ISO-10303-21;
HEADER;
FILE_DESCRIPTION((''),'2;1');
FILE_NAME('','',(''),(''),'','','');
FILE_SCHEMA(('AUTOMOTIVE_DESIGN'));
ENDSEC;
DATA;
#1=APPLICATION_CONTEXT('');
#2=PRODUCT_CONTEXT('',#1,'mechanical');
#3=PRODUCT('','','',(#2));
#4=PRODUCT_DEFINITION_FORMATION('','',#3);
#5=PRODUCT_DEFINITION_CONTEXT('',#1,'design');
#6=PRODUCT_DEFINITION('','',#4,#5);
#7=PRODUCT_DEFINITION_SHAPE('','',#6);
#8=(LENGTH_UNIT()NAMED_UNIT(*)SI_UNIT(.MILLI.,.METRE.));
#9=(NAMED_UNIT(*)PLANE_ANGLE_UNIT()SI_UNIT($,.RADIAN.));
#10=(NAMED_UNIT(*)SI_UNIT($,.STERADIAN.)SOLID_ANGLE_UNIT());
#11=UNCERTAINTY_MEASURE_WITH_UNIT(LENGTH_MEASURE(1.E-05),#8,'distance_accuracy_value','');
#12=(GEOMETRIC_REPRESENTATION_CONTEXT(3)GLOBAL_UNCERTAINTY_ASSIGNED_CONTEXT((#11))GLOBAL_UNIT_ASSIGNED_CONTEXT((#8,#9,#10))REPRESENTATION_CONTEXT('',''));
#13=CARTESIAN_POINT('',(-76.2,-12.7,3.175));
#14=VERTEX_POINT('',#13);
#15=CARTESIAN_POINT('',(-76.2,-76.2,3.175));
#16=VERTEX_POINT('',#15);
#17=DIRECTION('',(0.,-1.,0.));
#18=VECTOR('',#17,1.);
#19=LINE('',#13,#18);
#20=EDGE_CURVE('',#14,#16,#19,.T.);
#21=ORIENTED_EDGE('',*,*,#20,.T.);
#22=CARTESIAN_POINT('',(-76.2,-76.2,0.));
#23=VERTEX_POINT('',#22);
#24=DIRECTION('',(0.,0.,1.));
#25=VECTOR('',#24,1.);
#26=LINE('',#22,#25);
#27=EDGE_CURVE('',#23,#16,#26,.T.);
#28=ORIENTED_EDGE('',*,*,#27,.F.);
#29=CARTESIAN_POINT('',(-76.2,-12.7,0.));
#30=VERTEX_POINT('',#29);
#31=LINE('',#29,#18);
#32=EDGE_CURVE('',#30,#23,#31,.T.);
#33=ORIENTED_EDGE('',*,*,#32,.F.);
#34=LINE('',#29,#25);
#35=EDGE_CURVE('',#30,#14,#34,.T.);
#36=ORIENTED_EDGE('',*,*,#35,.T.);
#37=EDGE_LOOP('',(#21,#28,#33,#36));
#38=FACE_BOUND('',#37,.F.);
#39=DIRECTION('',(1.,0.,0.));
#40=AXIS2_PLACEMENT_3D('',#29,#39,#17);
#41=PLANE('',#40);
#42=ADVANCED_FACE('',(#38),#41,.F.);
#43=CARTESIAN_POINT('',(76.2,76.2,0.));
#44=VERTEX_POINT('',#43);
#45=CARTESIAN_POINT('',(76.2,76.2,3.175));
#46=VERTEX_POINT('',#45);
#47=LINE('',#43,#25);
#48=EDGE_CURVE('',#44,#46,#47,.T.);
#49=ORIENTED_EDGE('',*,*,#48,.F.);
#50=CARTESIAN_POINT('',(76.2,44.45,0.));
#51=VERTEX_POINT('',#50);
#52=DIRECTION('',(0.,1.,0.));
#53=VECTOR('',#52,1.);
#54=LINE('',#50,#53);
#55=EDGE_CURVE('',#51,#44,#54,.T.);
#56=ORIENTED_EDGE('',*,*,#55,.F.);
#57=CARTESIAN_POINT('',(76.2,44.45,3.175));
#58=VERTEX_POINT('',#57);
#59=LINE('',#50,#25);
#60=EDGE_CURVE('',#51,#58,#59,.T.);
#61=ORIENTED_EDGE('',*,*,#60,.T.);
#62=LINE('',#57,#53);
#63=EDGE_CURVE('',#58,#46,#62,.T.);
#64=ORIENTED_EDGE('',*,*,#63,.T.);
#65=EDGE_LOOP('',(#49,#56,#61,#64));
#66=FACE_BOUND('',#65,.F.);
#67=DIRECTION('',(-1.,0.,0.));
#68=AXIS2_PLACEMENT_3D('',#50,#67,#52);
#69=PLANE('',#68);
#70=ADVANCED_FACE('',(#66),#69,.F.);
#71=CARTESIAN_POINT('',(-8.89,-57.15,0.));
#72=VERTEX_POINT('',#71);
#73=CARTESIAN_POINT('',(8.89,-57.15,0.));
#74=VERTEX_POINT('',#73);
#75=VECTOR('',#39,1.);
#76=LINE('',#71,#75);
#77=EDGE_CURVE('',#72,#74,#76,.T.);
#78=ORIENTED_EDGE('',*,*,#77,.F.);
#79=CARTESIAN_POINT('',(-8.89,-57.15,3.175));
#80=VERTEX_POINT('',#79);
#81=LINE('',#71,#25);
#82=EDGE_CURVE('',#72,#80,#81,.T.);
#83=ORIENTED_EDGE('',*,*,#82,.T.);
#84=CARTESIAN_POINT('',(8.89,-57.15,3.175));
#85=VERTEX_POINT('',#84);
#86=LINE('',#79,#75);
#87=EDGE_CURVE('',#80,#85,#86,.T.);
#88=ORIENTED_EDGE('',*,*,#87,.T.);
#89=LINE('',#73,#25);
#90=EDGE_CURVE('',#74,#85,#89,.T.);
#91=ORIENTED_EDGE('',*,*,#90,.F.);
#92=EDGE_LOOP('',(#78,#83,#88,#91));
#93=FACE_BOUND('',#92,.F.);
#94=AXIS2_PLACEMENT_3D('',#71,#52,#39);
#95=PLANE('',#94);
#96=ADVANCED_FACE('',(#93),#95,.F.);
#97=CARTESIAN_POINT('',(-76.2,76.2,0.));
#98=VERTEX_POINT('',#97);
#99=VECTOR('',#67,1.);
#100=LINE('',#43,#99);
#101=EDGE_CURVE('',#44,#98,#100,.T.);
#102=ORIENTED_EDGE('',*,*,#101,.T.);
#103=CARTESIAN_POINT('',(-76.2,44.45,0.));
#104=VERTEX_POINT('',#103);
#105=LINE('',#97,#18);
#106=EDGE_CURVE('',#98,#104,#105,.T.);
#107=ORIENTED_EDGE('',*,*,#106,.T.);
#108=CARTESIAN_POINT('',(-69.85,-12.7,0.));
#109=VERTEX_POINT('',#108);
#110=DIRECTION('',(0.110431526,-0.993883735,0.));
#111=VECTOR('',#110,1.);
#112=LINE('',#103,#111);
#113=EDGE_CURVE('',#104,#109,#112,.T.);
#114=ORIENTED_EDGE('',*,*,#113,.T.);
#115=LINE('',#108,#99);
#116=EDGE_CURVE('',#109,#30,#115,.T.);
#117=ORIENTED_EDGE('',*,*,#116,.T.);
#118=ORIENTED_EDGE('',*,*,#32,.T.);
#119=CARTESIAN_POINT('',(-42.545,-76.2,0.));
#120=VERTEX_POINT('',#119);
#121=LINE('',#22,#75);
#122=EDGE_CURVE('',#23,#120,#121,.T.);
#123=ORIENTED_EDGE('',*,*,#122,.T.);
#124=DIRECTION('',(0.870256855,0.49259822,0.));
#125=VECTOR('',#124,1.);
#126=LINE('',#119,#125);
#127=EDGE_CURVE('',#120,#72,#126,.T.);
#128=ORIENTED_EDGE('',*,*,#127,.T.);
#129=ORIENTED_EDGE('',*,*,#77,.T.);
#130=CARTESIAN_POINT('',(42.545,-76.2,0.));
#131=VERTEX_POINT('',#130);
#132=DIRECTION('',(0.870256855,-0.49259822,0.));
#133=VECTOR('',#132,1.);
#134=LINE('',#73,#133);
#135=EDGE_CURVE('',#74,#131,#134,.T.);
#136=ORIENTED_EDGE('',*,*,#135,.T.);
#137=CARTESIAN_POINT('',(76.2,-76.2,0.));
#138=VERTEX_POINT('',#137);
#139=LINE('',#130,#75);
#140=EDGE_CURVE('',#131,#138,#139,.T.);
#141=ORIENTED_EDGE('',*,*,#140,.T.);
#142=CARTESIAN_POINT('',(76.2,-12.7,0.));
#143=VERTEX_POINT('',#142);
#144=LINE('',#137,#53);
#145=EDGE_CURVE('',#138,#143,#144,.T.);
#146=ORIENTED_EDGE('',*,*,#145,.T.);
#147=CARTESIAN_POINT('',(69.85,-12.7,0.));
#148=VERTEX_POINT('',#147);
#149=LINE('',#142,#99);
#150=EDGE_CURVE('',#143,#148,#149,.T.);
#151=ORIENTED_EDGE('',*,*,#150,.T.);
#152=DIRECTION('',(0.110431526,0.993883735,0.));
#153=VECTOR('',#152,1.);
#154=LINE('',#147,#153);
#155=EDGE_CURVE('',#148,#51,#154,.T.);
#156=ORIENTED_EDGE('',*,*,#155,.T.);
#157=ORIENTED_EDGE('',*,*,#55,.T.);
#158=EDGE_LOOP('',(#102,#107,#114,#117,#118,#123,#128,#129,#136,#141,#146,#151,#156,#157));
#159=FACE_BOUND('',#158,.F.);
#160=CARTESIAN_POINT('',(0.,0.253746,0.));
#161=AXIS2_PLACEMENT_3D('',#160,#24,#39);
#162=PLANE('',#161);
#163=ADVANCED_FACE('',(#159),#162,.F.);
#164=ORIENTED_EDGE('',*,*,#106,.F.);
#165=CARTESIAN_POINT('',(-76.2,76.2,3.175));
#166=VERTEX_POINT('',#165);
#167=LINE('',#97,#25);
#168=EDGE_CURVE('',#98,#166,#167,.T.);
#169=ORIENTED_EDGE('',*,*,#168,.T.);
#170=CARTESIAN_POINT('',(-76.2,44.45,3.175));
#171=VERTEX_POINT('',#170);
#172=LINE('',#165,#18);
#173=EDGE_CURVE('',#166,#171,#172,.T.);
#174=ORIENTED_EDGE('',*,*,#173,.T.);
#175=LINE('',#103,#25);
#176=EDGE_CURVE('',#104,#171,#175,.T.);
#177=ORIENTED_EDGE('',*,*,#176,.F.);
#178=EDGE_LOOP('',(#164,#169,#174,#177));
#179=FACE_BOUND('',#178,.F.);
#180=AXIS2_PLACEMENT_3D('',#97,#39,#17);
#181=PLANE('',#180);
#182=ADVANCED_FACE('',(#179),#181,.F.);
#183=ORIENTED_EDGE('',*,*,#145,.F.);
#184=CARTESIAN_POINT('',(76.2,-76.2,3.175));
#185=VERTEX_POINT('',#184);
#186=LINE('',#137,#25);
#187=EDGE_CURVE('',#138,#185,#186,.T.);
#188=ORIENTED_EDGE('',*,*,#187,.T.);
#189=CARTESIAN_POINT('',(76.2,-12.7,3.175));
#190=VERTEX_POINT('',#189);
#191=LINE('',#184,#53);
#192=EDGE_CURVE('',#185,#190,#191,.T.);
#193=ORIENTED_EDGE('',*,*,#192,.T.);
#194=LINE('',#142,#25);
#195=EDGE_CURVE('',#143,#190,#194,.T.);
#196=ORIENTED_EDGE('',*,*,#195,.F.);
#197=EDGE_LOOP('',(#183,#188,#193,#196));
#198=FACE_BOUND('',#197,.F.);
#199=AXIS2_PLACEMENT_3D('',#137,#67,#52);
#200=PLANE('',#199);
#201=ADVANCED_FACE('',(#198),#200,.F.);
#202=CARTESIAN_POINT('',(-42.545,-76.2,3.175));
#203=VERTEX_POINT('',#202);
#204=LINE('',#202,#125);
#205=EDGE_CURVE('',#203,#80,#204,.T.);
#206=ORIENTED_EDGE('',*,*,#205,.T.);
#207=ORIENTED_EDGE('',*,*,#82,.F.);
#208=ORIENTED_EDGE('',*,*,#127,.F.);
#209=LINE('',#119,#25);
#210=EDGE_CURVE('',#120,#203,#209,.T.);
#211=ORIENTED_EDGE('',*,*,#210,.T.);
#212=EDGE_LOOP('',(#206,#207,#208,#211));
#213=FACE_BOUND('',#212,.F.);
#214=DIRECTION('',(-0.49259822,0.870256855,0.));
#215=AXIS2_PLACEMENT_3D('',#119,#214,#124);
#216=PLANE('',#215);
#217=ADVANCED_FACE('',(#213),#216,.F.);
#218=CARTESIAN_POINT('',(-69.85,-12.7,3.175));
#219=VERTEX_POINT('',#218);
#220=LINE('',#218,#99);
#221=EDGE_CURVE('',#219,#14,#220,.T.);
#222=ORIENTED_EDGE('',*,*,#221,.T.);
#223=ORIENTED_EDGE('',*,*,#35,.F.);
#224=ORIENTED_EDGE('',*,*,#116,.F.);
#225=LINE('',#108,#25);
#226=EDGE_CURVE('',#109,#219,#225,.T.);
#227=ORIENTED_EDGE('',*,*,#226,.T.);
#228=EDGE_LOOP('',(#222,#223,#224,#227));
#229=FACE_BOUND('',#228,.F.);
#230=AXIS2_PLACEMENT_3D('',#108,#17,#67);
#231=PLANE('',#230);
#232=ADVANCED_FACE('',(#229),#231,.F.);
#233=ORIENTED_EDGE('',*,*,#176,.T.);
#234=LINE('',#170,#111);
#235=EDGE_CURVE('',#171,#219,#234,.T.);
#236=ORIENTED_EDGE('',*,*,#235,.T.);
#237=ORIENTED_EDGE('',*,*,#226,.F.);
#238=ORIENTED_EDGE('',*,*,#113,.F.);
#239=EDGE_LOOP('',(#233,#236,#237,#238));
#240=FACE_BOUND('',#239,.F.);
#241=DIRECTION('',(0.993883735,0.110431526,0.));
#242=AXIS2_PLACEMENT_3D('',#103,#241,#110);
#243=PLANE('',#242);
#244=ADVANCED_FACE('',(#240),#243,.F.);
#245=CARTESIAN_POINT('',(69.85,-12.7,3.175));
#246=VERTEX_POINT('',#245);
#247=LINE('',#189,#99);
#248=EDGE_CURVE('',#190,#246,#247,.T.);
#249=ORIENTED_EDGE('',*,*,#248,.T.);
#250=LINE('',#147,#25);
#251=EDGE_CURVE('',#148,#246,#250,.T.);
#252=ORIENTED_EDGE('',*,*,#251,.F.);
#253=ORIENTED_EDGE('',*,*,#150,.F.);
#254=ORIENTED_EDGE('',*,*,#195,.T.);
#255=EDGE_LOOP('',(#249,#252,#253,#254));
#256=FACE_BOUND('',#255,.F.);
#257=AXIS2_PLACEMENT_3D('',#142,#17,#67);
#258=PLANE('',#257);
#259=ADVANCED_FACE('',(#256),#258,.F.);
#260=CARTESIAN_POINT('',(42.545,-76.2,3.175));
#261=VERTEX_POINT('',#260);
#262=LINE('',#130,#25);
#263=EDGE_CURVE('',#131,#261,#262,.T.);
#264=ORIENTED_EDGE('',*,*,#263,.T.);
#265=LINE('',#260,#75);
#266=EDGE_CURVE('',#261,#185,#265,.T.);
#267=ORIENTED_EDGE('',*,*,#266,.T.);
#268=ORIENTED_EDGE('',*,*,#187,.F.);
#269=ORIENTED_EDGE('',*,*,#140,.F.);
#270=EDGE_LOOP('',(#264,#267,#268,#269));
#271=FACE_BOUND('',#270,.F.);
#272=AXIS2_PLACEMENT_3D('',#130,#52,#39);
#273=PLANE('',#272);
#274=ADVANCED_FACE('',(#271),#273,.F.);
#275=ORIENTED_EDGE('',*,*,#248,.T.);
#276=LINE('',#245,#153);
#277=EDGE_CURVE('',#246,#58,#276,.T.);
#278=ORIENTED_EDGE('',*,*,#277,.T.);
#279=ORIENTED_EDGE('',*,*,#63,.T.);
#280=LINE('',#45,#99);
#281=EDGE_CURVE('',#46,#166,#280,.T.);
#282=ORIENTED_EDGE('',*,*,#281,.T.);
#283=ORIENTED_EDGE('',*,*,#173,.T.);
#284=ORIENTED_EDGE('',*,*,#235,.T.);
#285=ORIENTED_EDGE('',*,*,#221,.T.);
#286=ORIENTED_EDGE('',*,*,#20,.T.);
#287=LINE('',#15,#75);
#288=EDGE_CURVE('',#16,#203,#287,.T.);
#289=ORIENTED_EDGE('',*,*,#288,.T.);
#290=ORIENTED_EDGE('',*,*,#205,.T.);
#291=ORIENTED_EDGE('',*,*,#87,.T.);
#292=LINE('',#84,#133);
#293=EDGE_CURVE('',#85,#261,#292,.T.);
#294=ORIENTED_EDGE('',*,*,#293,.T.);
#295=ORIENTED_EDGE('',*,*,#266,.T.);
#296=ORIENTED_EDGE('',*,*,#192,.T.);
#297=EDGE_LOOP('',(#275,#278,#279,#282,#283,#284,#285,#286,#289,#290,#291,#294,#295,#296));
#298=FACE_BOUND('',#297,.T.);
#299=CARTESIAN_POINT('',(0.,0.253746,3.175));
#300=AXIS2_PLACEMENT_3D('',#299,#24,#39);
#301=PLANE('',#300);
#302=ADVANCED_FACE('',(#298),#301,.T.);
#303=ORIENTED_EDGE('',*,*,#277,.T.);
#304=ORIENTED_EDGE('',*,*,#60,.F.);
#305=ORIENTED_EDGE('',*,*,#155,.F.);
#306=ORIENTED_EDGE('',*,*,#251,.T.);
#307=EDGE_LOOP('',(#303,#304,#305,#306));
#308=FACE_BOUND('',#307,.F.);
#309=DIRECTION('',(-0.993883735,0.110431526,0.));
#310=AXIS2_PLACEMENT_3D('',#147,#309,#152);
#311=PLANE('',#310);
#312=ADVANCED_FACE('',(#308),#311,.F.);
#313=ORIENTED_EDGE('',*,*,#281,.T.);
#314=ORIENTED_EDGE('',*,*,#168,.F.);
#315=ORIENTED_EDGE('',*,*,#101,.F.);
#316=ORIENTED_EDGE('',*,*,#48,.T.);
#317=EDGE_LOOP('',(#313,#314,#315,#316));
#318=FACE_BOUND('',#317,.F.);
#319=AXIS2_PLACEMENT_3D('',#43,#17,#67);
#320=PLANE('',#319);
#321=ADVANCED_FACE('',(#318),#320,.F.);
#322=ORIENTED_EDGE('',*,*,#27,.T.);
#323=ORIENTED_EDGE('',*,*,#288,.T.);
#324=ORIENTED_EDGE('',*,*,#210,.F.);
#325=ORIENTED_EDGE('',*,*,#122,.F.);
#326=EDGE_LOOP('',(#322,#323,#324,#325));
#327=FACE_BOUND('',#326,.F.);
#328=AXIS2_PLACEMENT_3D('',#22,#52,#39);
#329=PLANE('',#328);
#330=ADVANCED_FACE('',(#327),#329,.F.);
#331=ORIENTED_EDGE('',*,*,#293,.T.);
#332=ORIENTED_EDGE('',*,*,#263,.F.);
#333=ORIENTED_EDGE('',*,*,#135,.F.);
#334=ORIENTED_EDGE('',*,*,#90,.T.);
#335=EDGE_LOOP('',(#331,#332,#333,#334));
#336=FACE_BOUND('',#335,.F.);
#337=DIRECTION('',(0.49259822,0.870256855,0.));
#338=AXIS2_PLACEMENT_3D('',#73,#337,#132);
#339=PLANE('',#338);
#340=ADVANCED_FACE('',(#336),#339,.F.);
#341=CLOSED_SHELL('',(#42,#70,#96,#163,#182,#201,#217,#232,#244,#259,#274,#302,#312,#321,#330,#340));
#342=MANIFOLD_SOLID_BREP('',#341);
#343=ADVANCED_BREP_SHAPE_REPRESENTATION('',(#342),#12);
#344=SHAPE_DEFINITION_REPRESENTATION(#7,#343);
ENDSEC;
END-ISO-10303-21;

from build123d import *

# Parameters (mm, degrees)
F1_DEPTH = 3.175


with BuildPart() as f1:
    # F0 (on Top) → F1 (new body)
    with BuildSketch(Plane.XY):
        Polygon((42.545, -76.2), (76.2, -76.2), (76.2, -12.7), (69.85, -12.7), (76.2, 44.45), (76.2, 57.15), (76.2, 76.2), (31.75, 76.2), (-31.75, 76.2), (-76.2, 76.2), (-76.2, 44.45), (-69.85, -12.7), (-76.2, -12.7), (-76.2, -76.2), (-42.545, -76.2), (-8.89, -57.15), (8.89, -57.15), align=None)
    extrude(amount=F1_DEPTH)


solid = f1.part
